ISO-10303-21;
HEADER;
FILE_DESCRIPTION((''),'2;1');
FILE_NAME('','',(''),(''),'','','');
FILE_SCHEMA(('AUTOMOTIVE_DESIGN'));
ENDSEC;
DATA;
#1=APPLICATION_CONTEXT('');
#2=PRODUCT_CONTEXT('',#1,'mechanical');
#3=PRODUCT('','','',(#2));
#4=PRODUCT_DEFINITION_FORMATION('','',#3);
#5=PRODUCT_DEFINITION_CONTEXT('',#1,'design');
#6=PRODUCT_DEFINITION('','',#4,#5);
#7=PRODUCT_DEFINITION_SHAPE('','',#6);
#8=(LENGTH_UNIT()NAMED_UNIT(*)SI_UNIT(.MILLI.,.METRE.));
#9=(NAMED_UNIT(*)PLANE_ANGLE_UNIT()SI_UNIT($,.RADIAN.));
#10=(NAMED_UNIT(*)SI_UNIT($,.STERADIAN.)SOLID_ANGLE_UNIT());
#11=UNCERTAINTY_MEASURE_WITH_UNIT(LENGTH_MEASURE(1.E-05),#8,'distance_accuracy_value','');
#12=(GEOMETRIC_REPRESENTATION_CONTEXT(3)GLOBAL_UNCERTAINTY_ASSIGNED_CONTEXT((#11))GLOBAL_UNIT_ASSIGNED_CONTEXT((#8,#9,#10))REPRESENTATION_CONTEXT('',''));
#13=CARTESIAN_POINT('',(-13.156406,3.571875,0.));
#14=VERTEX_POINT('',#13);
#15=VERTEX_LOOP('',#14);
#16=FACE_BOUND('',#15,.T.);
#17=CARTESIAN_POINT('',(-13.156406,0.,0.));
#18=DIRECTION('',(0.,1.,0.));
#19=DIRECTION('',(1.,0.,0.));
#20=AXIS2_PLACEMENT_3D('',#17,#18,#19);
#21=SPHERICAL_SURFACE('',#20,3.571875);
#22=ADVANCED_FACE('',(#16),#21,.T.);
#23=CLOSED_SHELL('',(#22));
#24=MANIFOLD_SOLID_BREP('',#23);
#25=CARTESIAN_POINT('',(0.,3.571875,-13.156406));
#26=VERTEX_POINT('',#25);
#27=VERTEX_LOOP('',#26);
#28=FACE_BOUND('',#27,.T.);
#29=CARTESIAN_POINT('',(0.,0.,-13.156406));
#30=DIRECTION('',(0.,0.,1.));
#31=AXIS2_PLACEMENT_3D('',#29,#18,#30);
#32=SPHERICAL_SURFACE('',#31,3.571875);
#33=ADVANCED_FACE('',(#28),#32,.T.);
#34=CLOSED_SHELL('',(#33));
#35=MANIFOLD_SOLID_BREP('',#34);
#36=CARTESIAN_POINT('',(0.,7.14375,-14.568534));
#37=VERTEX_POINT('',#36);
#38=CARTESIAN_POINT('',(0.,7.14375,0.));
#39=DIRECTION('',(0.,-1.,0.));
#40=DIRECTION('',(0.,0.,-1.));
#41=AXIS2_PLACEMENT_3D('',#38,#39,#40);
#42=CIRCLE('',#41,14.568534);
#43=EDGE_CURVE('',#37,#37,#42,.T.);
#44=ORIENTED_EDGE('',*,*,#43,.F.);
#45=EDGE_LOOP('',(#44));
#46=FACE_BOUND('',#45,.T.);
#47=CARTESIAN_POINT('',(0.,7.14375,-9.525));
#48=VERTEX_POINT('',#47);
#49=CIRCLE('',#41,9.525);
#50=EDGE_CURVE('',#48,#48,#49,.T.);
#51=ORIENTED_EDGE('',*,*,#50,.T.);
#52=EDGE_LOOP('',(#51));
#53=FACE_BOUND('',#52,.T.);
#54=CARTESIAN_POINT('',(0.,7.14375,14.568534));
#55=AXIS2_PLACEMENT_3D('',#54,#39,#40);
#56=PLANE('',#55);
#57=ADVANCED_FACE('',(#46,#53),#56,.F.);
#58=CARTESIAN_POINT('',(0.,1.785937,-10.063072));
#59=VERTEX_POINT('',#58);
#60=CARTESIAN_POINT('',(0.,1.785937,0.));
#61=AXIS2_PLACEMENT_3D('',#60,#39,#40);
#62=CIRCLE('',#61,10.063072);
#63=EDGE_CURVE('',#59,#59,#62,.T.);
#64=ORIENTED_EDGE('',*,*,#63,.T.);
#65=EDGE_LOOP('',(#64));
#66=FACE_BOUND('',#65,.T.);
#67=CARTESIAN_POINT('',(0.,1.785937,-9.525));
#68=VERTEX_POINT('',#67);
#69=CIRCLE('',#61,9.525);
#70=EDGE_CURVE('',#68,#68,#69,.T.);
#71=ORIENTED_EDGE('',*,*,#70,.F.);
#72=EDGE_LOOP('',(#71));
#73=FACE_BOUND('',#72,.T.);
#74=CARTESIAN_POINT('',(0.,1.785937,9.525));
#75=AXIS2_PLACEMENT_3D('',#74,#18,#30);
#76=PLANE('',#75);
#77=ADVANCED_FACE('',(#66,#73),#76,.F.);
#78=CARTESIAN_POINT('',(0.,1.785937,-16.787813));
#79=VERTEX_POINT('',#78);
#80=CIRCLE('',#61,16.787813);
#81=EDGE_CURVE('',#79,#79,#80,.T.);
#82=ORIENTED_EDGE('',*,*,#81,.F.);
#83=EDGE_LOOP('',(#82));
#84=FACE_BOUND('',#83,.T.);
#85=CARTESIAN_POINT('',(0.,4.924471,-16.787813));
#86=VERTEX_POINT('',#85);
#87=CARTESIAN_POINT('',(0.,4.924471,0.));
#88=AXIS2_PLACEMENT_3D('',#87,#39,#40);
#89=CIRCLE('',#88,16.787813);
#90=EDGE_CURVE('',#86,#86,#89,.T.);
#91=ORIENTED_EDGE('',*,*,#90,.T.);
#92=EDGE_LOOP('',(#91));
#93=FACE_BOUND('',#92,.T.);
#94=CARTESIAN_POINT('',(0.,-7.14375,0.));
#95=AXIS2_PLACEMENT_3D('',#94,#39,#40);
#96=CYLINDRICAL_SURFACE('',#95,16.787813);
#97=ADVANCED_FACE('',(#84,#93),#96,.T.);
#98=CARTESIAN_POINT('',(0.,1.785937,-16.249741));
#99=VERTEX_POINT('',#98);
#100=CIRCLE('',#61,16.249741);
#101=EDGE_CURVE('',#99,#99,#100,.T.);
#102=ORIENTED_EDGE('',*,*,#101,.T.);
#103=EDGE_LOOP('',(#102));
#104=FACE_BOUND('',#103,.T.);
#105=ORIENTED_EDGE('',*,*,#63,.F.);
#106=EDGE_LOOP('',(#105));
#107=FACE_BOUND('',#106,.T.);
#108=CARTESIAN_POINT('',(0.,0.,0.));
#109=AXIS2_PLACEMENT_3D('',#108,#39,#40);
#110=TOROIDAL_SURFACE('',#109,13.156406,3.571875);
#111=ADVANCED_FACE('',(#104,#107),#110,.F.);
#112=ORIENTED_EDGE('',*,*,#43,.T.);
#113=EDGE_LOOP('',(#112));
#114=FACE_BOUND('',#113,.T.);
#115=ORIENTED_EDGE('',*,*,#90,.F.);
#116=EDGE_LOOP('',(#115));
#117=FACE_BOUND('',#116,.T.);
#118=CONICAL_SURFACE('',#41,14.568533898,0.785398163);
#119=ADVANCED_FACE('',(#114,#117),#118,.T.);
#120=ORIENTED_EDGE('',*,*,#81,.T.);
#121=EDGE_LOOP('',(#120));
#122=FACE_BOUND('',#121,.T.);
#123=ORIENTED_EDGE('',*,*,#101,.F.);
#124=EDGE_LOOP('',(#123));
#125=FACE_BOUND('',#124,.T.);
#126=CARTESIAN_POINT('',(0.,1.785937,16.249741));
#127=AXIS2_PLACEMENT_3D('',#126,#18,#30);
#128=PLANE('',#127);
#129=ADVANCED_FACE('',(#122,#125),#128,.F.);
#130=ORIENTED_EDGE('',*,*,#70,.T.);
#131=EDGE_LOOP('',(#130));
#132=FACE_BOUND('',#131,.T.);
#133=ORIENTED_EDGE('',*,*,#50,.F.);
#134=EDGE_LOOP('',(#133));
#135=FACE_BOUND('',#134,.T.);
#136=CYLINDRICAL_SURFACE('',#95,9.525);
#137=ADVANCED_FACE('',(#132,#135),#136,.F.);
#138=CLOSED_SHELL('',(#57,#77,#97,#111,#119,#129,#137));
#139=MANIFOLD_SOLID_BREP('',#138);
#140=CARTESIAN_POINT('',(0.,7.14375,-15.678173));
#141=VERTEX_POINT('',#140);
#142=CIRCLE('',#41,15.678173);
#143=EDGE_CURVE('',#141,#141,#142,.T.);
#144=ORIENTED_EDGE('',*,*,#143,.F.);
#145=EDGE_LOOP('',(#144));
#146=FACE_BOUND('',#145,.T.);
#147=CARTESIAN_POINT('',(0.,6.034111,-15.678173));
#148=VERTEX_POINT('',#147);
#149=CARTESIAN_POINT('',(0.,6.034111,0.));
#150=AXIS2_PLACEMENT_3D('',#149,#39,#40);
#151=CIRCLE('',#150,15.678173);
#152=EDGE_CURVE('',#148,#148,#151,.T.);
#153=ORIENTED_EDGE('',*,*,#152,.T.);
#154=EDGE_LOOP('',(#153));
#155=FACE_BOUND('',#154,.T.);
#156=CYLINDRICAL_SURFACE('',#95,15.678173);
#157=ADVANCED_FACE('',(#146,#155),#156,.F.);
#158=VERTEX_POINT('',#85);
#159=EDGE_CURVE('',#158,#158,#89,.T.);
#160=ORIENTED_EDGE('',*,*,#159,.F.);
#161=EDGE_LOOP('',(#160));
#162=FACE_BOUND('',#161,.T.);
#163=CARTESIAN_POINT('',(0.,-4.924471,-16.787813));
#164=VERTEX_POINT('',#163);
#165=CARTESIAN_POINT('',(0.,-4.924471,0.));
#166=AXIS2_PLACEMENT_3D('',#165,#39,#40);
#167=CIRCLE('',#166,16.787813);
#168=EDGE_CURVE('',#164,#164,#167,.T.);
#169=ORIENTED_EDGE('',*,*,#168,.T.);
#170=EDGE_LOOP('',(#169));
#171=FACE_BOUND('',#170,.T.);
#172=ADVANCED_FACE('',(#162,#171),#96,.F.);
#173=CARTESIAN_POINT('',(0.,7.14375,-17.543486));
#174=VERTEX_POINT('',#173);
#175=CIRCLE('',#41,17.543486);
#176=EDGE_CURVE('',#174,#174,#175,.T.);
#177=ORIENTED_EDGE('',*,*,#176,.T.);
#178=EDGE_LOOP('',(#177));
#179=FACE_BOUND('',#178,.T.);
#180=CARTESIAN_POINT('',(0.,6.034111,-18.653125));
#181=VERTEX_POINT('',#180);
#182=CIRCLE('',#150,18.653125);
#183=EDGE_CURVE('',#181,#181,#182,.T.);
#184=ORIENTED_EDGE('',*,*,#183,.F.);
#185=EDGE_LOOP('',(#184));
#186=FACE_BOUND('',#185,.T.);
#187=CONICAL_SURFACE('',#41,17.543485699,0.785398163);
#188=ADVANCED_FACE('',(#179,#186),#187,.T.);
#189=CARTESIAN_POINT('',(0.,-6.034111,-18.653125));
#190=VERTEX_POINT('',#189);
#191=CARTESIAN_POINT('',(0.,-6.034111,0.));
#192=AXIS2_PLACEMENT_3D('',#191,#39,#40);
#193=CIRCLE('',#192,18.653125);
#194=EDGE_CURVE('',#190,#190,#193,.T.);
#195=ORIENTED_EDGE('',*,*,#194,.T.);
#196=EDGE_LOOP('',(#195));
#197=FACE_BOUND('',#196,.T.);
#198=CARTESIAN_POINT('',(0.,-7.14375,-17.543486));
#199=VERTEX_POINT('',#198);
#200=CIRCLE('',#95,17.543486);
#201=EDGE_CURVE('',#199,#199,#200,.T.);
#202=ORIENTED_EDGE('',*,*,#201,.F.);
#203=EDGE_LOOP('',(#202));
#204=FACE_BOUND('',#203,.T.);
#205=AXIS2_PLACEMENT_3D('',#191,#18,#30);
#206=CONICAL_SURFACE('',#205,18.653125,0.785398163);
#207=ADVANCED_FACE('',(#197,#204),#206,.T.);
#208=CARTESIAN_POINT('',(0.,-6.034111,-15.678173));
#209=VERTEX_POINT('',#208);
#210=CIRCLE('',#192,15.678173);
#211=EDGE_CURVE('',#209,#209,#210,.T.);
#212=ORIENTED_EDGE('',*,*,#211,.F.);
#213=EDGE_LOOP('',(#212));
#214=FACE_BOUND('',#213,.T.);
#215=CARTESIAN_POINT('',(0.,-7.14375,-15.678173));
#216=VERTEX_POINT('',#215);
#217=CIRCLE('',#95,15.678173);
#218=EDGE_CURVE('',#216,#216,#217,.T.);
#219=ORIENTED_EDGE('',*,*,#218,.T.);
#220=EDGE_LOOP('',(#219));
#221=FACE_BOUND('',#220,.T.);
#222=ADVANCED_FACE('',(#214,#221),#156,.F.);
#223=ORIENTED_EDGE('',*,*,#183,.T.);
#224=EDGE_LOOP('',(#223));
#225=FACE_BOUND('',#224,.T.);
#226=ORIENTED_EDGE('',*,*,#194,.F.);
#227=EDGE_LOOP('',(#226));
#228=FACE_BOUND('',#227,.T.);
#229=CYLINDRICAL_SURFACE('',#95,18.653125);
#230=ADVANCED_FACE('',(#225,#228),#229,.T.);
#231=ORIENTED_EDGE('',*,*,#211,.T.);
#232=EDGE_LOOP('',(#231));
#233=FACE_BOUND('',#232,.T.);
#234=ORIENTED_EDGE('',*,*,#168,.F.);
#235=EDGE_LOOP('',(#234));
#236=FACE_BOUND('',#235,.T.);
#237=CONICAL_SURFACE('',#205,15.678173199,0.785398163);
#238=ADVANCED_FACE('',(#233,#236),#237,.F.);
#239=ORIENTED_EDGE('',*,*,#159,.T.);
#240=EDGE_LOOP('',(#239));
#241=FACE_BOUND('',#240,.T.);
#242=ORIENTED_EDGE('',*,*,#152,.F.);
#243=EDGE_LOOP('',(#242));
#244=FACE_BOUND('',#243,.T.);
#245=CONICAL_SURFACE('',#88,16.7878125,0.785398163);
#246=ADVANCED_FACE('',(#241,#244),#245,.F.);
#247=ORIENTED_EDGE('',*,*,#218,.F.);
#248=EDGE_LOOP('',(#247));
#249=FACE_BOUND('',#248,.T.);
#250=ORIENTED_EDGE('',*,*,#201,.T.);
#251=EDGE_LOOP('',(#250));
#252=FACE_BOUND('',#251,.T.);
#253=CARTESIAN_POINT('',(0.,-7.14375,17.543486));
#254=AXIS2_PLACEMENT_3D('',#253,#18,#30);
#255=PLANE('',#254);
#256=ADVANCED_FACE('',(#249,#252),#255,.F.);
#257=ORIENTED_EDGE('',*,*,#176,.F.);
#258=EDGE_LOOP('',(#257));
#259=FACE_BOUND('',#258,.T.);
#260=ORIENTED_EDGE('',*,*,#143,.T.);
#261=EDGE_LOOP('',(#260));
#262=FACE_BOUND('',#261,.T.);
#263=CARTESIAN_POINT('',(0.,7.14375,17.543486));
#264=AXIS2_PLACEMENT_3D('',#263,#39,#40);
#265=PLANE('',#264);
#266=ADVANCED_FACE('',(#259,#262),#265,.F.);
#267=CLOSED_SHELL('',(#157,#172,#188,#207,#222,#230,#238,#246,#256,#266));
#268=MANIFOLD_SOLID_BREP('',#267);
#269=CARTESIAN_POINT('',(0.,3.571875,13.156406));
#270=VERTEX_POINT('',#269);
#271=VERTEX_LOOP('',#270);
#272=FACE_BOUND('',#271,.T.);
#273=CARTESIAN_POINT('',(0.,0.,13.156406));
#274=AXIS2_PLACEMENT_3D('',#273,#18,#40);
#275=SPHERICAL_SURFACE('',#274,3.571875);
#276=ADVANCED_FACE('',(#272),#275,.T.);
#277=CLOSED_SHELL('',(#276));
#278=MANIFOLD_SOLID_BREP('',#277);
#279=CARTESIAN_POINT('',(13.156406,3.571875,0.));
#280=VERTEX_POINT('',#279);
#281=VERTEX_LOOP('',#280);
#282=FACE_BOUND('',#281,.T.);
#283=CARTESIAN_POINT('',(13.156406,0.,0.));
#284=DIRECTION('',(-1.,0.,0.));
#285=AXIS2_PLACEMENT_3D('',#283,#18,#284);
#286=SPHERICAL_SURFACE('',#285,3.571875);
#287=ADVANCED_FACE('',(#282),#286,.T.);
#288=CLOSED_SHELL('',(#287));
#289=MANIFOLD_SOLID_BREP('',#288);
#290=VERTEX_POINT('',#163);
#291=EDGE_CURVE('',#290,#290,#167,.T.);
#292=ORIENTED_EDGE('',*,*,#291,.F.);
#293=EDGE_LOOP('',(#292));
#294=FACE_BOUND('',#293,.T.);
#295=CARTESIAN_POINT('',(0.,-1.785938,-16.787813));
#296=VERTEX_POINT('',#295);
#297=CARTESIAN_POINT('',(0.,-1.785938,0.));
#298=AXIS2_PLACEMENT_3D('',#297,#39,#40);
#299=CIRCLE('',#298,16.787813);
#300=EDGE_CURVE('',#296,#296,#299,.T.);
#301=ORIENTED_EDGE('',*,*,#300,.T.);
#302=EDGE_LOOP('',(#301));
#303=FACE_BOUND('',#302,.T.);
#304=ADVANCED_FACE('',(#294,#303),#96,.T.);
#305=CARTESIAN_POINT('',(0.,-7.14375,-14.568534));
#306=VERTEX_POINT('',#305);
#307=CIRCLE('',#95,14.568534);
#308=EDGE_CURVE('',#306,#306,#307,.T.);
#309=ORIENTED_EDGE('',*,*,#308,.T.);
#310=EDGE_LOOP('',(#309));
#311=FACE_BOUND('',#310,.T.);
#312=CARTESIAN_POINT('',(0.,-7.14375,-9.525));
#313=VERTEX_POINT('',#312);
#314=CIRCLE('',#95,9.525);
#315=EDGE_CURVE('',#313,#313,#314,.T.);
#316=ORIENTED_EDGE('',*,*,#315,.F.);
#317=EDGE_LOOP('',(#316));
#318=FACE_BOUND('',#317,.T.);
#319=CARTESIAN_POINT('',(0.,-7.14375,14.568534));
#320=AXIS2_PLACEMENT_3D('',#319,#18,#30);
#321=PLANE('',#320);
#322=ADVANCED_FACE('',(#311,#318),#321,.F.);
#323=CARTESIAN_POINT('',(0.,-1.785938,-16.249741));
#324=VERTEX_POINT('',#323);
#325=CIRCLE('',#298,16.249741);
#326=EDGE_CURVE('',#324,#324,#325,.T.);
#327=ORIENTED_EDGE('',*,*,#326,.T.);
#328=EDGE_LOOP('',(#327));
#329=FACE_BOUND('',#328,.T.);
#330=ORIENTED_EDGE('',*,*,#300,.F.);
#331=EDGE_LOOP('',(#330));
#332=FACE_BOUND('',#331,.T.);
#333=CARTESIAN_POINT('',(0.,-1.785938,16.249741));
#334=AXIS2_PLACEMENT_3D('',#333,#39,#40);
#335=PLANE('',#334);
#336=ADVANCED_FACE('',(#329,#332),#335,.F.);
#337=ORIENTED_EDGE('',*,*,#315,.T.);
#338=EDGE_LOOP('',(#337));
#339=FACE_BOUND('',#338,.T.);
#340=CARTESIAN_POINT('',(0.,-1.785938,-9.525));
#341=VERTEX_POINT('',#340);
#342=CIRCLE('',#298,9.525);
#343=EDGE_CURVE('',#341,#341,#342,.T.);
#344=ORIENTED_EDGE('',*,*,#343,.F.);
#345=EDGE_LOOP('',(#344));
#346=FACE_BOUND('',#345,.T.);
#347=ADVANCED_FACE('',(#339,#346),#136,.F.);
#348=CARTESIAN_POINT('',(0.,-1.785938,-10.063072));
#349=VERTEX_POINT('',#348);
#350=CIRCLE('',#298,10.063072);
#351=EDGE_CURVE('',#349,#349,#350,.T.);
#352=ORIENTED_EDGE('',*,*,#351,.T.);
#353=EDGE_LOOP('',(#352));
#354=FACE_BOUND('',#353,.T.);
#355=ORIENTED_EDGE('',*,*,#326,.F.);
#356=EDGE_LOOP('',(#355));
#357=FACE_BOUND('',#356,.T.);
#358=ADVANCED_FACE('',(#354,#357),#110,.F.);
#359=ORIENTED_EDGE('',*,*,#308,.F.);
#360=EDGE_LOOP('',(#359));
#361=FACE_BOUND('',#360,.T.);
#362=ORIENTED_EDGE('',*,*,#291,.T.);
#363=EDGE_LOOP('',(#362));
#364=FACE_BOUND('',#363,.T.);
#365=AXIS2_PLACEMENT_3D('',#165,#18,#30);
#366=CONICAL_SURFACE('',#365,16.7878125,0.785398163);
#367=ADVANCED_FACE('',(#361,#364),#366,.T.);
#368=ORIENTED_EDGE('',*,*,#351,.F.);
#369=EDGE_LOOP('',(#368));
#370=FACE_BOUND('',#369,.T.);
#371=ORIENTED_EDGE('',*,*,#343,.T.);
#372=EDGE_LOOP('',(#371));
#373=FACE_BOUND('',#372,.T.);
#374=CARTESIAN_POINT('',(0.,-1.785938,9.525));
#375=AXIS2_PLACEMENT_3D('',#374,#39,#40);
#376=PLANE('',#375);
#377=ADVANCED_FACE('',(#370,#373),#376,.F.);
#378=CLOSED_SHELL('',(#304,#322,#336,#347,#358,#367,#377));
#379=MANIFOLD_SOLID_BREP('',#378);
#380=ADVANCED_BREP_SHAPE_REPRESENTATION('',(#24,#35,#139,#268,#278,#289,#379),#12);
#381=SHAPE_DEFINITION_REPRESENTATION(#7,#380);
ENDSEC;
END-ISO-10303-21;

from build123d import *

# Parameters (mm, degrees)
CIRPATTERN1_COUNT = 4


with BuildPart() as part:
    # Sketch2 → Revolve1 (revolve)
    with BuildSketch(Plane(origin=(0, 0, 0), x_dir=(0, 0, -1), z_dir=(1, 0, 0)), mode=Mode.PRIVATE) as revolve1_sk:
        with BuildLine():
            Line((-16.249740739, 1.7859375), (-16.7878125, 1.7859375))
            Line((-16.7878125, 1.7859375), (-16.7878125, 4.924471398))
            Line((-16.7878125, 4.924471398), (-14.568533898, 7.14375))
            Line((-14.568533898, 7.14375), (-9.525, 7.14375))
            Line((-9.525, 7.14375), (-9.525, 1.7859375))
            Line((-9.525, 1.7859375), (-10.063071761, 1.7859375))
            ThreePointArc((-10.063071761, 1.7859375), (-13.15640625, 3.571875), (-16.249740739, 1.7859375))
        make_face()
        with BuildLine():
            Line((-9.525, -1.7859375), (-10.063071761, -1.7859375))
            ThreePointArc((-10.063071761, -1.7859375), (-13.15640625, -3.571875), (-16.249740739, -1.7859375))
            Line((-16.249740739, -1.7859375), (-16.7878125, -1.7859375))
            Line((-16.7878125, -1.7859375), (-16.7878125, -4.924471398))
            Line((-16.7878125, -4.924471398), (-14.568533898, -7.14375))
            Line((-14.568533898, -7.14375), (-9.525, -7.14375))
            Line((-9.525, -7.14375), (-9.525, -1.7859375))
        make_face()
    revolve(revolve1_sk.sketch.rotate(Axis((0, -7.14375, 0), (0, 1, 0)), 180), axis=Axis((0, -7.14375, 0), (0, 1, 0)))


with BuildPart() as body_2:
    # Sketch3 → Revolve2 (revolve)
    with BuildSketch(Plane(origin=(0, 0, 0), x_dir=(0, 0, -1), z_dir=(1, 0, 0)), mode=Mode.PRIVATE) as revolve2_sk:
        Polygon((-15.678173199, 6.034110699), (-15.678173199, 7.14375), (-17.543485699, 7.14375), (-18.653125, 6.034110699), (-18.653125, -6.034110699), (-17.543485699, -7.14375), (-15.678173199, -7.14375), (-15.678173199, -6.034110699), (-16.7878125, -4.924471398), (-16.7878125, 4.924471398), align=None)
    revolve(revolve2_sk.sketch.rotate(Axis((0, -7.14375, 0), (0, 1, 0)), 180), axis=Axis((0, -7.14375, 0), (0, 1, 0)))


with BuildPart() as body_3:
    # Sketch4 → Revolve3 (revolve)
    with BuildSketch(Plane(origin=(0, 0, 0), x_dir=(0, 0, -1), z_dir=(1, 0, 0))):
        with BuildLine():
            Line((-13.15640625, 3.571875), (-13.15640625, -3.571875))
            ThreePointArc((-13.15640625, -3.571875), (-9.58453125, 0), (-13.15640625, 3.571875))
        make_face()
    revolve(axis=Axis((0, 3.571875, 13.15640625), (0, -1, 0)))


with BuildPart() as cirpattern1_1:
    # CirPattern1: pattern copy
    add(body_3.part.rotate(Axis((0, 0, 0), (0, 1, 0)), 1 * 360 / CIRPATTERN1_COUNT))


with BuildPart() as cirpattern1_2:
    # CirPattern1: pattern copy
    add(body_3.part.rotate(Axis((0, 0, 0), (0, 1, 0)), 2 * 360 / CIRPATTERN1_COUNT))


with BuildPart() as cirpattern1_3:
    # CirPattern1: pattern copy
    add(body_3.part.rotate(Axis((0, 0, 0), (0, 1, 0)), 3 * 360 / CIRPATTERN1_COUNT))


solid = Compound([part.part, body_2.part, body_3.part, cirpattern1_1.part, cirpattern1_2.part, cirpattern1_3.part])
